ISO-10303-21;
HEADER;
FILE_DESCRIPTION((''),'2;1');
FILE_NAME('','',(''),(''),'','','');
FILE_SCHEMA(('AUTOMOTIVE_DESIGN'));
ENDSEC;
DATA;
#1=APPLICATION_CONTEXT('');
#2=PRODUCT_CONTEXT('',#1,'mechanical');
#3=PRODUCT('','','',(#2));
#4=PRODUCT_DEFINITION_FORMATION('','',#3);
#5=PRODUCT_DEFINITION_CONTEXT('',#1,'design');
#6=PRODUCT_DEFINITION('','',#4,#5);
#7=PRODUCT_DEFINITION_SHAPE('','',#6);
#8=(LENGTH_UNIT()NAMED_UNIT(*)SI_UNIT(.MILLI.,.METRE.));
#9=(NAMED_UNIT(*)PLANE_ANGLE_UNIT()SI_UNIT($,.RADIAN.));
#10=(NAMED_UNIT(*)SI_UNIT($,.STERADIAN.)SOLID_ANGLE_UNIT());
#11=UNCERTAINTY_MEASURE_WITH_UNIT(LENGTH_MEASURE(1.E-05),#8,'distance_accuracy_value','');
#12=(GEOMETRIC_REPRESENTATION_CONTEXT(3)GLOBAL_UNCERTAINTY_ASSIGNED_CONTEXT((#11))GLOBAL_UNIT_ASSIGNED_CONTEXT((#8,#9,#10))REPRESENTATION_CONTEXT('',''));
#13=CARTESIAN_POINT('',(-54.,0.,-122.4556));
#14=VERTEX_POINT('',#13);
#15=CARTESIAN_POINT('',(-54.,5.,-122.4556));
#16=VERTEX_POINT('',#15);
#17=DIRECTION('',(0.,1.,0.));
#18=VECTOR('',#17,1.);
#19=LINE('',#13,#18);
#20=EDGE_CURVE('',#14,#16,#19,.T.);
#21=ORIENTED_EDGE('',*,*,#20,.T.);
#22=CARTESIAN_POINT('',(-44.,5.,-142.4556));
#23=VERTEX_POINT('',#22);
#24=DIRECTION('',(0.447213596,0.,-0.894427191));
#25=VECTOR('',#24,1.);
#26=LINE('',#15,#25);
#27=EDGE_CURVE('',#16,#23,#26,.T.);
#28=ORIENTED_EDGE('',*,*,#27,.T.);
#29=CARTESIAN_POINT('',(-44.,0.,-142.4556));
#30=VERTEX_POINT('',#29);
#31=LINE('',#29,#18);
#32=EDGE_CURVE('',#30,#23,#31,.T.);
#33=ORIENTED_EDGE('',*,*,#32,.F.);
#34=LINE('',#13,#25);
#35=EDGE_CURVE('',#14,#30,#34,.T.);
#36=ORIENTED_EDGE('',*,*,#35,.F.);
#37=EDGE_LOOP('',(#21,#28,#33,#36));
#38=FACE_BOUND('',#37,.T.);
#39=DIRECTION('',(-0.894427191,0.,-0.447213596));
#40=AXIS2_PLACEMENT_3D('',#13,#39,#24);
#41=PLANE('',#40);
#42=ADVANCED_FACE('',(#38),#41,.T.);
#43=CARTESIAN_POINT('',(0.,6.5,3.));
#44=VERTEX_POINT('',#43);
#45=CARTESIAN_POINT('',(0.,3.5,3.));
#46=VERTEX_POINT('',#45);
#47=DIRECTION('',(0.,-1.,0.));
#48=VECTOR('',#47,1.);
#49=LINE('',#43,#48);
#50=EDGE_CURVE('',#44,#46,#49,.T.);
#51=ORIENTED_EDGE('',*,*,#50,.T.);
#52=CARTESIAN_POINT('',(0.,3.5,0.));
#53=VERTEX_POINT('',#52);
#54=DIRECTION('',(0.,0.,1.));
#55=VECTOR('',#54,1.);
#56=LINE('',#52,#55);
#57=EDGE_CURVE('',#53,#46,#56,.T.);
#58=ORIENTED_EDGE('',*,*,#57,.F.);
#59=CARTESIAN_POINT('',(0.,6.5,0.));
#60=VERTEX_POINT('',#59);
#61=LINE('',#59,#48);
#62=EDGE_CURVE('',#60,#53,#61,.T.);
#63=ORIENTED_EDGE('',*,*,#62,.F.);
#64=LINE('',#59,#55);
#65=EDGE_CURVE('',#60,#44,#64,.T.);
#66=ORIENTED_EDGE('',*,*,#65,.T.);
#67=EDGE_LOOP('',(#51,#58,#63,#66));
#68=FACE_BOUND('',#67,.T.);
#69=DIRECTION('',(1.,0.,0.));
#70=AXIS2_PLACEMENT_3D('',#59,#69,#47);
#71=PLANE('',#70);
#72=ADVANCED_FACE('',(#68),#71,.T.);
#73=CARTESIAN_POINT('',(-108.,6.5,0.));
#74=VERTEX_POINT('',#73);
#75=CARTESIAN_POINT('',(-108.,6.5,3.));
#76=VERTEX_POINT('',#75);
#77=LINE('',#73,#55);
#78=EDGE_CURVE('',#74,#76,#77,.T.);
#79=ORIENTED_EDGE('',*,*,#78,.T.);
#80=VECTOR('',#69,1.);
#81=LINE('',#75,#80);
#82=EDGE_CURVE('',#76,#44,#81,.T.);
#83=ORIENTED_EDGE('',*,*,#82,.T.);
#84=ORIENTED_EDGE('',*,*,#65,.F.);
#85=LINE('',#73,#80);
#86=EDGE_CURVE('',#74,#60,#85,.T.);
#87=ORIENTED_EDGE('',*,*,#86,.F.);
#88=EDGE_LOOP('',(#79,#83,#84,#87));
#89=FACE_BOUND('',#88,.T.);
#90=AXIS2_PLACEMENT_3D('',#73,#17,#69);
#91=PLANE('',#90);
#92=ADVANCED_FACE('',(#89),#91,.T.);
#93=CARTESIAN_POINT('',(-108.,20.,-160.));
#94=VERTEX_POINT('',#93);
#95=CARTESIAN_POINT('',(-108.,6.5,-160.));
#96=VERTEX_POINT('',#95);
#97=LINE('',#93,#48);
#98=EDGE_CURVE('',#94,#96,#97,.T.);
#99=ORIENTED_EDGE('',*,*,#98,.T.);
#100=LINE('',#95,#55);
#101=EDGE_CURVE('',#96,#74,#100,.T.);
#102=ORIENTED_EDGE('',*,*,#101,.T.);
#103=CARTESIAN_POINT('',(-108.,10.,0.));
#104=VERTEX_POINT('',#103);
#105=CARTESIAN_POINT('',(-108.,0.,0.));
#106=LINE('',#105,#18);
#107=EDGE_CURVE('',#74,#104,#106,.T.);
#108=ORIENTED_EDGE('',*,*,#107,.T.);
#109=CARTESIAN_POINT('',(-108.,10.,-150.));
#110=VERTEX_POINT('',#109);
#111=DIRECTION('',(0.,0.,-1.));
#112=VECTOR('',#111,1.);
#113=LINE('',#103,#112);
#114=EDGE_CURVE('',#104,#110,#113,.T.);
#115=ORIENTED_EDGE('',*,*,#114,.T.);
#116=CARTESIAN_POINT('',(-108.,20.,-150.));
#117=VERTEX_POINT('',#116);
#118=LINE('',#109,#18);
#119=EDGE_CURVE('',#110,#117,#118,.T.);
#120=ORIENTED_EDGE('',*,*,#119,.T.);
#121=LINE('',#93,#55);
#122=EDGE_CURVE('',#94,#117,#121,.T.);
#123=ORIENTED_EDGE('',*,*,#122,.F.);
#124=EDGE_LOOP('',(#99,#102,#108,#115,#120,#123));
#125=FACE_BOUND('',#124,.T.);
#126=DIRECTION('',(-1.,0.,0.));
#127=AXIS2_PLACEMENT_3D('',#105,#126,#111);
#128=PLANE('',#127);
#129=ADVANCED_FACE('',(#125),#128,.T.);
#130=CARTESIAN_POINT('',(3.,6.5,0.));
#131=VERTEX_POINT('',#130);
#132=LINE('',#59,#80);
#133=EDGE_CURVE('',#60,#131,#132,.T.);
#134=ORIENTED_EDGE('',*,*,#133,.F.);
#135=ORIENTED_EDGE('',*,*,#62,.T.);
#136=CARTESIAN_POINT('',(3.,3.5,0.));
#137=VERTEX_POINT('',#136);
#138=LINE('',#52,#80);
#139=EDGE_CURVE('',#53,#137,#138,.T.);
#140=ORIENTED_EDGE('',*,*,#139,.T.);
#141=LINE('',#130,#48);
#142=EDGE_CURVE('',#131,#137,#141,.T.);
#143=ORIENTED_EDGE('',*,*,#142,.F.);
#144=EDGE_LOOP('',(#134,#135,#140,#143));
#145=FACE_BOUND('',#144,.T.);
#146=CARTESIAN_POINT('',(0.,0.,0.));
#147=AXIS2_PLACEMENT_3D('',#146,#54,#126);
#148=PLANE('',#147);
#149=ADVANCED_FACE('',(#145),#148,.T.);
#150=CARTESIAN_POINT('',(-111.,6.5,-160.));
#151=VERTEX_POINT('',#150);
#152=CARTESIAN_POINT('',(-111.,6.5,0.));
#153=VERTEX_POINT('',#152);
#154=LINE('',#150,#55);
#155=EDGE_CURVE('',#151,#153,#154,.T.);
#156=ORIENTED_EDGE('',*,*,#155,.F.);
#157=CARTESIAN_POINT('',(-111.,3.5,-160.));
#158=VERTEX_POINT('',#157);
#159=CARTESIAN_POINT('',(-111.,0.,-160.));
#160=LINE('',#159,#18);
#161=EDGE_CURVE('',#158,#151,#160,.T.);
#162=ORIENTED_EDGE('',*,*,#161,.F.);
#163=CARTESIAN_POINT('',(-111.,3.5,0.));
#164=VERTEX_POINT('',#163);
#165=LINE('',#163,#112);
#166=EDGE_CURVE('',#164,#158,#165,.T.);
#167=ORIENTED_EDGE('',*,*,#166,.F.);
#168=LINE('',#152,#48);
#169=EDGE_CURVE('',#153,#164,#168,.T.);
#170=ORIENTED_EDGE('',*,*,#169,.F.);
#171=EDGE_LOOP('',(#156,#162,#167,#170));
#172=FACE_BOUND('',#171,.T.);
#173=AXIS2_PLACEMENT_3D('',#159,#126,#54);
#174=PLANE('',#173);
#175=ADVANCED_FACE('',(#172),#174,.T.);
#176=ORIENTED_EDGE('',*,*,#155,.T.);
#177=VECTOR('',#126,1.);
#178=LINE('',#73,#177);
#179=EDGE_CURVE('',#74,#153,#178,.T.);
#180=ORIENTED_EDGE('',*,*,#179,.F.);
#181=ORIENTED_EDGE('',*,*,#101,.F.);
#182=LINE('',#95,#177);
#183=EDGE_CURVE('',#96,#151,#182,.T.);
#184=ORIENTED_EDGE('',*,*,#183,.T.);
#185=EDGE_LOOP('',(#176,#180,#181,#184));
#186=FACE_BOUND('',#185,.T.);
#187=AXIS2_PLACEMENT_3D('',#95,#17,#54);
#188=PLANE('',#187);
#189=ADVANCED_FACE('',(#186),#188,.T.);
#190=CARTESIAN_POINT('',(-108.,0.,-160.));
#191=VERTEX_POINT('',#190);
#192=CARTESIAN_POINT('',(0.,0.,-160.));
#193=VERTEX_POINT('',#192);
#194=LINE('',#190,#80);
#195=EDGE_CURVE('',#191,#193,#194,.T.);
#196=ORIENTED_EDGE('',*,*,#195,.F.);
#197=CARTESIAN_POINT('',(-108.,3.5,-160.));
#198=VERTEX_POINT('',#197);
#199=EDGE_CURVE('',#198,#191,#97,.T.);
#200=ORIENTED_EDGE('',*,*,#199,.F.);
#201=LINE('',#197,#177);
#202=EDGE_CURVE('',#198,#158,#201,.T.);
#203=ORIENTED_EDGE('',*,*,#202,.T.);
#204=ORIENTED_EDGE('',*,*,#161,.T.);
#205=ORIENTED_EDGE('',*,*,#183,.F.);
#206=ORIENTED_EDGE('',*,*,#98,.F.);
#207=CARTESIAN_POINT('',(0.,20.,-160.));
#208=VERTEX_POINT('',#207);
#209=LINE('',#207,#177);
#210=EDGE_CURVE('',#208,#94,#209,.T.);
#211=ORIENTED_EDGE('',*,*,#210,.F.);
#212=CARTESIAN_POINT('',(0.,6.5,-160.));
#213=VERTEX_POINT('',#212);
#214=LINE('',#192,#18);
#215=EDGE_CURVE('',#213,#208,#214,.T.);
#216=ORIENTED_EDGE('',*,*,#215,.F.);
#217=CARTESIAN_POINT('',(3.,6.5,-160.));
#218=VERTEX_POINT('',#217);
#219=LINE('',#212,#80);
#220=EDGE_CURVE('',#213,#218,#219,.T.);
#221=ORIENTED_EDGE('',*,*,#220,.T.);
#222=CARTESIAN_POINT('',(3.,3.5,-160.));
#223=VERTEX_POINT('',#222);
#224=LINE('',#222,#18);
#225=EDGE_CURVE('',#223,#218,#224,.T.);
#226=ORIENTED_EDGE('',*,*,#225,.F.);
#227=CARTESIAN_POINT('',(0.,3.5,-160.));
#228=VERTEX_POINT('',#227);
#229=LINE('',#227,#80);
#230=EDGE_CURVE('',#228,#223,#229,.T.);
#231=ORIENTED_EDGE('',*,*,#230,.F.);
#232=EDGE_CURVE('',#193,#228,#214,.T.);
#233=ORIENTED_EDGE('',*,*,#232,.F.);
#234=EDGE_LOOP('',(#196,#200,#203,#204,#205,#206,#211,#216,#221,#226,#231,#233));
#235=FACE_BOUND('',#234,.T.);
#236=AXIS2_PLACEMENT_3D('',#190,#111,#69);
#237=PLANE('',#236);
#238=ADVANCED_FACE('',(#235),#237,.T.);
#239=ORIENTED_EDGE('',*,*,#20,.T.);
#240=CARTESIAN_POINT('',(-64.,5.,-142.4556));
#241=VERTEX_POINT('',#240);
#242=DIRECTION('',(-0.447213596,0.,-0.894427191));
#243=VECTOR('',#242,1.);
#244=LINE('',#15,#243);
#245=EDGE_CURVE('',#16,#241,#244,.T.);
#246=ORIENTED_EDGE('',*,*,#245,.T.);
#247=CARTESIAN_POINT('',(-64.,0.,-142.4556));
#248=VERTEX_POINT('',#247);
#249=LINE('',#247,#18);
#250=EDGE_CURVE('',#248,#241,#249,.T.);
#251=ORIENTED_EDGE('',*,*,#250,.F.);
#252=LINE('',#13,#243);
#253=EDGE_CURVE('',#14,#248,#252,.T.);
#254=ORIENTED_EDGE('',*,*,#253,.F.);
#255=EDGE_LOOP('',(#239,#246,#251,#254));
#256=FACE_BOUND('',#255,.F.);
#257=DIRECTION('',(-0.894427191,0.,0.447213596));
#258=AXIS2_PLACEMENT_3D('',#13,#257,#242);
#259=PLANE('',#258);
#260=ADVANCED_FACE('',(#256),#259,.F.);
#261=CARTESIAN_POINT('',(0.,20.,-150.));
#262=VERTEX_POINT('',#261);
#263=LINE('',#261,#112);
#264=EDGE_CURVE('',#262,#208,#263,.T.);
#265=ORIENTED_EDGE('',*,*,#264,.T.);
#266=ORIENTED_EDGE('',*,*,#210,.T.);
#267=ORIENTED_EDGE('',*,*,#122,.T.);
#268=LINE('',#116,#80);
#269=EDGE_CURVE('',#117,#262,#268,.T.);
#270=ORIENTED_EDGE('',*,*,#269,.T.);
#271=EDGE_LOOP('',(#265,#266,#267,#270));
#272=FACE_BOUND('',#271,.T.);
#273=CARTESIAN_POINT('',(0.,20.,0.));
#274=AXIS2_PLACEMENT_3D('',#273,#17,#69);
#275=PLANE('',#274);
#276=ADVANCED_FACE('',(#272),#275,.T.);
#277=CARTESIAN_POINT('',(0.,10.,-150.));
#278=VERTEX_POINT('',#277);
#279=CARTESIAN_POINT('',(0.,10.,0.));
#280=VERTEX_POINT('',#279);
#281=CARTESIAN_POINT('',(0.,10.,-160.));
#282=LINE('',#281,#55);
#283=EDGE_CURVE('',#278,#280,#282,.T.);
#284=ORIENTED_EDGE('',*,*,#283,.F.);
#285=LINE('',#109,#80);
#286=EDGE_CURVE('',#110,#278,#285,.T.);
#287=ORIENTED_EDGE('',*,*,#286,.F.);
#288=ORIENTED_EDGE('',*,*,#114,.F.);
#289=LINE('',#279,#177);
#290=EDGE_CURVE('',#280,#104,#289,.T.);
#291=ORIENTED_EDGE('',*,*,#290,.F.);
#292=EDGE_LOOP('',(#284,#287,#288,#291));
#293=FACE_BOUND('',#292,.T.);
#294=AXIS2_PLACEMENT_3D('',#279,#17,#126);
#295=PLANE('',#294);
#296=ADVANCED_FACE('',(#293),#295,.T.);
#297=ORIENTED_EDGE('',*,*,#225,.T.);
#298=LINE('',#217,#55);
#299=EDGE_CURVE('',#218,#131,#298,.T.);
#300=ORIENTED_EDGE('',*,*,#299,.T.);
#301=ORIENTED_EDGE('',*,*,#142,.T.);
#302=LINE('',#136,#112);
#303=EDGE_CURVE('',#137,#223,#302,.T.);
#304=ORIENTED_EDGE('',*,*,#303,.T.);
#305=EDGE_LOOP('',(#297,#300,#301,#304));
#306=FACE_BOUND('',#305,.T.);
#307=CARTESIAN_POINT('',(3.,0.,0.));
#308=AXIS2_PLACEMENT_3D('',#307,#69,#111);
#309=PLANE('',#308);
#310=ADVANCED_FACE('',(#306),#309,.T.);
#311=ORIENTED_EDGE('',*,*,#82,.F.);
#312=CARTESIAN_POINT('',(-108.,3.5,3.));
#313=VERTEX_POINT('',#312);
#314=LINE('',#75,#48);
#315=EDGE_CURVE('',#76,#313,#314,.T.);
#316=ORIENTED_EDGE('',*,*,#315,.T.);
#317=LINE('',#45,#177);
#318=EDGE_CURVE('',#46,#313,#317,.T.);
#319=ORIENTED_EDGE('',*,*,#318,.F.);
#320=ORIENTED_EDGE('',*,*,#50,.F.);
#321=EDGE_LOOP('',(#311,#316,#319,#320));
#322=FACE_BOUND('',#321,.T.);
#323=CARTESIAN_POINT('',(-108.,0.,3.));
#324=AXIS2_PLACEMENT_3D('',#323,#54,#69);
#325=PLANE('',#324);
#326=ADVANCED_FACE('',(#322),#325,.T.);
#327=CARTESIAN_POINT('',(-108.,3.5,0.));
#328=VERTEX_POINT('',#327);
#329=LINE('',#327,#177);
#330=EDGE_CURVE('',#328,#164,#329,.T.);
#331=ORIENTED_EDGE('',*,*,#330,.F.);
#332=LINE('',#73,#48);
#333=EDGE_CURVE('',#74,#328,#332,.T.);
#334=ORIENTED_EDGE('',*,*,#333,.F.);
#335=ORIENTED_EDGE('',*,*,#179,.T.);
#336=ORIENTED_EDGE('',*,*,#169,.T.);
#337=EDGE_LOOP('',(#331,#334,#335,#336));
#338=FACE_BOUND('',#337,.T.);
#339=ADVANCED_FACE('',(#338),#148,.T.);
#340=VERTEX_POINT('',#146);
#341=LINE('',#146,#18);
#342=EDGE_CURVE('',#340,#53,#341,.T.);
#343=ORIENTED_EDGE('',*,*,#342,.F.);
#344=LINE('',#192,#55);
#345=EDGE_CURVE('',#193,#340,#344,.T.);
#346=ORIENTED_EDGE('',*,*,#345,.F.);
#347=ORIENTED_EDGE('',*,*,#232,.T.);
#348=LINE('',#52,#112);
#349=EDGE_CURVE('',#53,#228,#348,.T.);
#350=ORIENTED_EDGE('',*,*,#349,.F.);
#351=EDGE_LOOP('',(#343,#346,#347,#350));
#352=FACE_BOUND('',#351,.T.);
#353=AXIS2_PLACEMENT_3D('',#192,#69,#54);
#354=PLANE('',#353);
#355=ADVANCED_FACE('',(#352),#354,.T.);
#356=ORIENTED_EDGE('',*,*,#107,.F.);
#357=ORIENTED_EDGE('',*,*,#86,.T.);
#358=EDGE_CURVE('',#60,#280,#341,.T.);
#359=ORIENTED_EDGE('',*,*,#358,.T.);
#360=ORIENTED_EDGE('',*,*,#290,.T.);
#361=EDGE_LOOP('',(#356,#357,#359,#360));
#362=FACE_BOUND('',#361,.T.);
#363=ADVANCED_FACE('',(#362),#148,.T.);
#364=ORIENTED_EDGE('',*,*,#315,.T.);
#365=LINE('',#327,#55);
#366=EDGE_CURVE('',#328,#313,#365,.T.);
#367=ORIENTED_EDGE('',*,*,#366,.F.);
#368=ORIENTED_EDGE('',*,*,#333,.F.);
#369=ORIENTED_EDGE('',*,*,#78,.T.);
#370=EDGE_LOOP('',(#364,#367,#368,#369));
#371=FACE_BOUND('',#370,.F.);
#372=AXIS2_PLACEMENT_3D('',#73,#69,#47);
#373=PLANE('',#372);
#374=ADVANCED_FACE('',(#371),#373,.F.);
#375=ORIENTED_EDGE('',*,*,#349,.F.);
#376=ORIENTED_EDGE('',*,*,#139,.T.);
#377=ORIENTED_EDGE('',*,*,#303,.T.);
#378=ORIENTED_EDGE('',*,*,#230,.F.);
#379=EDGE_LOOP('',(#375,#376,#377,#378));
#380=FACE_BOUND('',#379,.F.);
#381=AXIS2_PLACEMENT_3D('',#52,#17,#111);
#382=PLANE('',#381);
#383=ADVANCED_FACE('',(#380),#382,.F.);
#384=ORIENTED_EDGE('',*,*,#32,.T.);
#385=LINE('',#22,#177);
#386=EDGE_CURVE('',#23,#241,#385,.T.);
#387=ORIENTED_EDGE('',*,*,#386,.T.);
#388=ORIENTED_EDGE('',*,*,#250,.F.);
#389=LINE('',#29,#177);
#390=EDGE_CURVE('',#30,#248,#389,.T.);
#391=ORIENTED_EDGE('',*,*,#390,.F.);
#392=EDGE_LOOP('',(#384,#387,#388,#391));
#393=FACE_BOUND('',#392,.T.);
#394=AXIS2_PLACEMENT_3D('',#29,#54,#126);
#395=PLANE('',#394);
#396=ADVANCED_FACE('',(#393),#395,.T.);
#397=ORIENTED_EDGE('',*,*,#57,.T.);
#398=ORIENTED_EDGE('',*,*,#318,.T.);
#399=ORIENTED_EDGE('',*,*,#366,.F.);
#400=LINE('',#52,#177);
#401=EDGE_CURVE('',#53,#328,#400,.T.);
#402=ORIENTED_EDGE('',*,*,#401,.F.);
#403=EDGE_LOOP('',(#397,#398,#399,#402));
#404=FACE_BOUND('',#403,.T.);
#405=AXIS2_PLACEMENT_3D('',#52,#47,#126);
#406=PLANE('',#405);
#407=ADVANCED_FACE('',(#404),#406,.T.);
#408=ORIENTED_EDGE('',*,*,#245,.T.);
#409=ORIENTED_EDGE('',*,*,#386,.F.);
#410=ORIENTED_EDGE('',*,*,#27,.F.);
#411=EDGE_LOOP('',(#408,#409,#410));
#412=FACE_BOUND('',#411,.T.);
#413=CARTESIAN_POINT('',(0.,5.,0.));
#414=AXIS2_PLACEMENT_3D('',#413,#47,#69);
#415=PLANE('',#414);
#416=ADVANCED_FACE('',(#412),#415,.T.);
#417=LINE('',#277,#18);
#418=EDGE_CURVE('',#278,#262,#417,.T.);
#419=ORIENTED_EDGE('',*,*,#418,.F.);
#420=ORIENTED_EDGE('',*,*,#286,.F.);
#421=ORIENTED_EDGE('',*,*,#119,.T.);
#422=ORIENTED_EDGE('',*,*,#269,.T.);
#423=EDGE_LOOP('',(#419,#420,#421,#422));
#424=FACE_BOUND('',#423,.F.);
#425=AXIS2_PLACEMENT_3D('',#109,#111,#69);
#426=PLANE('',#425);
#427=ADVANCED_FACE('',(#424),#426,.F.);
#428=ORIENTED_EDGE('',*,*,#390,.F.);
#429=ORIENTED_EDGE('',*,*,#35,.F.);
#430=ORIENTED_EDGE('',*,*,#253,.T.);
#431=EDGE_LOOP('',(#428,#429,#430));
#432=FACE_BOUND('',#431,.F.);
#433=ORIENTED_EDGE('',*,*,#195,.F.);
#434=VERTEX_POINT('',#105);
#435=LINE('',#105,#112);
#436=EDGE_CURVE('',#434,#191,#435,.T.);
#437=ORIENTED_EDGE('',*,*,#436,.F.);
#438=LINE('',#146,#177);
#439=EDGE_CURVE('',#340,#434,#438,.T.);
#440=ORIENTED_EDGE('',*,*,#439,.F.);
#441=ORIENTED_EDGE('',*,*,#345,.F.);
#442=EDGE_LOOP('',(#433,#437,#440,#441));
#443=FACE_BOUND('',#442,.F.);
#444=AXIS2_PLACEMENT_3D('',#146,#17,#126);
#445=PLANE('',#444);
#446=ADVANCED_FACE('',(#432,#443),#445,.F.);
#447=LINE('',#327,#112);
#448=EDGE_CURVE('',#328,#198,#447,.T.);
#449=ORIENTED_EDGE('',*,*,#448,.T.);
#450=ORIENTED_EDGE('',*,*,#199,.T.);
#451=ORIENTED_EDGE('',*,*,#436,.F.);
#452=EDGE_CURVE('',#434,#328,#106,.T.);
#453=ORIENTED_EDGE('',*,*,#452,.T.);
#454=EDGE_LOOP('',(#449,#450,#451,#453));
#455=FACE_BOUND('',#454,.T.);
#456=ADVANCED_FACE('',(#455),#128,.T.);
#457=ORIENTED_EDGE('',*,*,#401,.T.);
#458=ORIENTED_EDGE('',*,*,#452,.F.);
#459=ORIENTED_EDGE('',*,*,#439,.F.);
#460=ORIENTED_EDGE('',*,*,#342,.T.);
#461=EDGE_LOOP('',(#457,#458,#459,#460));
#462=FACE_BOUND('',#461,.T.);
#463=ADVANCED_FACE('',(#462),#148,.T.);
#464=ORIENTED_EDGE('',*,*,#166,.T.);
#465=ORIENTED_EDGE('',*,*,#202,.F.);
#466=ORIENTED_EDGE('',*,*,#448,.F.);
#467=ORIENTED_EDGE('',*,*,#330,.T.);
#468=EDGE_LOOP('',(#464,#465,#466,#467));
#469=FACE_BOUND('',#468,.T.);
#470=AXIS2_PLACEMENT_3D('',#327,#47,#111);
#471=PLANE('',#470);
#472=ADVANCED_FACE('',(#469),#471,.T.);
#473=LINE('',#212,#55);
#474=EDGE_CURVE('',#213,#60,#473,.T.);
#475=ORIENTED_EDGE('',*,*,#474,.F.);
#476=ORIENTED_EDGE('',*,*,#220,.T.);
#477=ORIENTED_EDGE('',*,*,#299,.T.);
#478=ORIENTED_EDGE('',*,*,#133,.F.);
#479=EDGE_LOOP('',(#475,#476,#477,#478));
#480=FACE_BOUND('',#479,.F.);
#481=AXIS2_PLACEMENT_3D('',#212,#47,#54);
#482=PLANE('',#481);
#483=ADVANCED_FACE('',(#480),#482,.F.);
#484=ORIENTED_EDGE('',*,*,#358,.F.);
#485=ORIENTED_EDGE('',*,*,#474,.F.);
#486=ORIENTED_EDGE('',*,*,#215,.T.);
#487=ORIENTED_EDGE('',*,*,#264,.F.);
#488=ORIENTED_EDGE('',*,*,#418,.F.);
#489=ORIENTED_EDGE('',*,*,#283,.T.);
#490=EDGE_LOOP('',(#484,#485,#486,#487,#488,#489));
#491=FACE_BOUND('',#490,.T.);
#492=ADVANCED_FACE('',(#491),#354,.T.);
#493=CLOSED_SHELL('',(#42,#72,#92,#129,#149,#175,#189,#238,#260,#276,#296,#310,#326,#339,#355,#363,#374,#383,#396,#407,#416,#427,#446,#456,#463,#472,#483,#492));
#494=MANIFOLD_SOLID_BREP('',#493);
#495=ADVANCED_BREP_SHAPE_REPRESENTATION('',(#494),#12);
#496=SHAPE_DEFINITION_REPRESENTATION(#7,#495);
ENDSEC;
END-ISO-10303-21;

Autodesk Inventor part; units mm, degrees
ref_plane "YZ Plane" through (0, 0, 0) normal (1, 0, 0) x (0, 1, 0)
ref_plane "XZ Plane" through (0, 0, 0) normal (0, 1, 0) x (-1, 0, 0)
ref_plane "XY Plane" through (0, 0, 0) normal (0, 0, 1) x (1, 0, 0)
sketch "Esquisse1" plane through (0, 0, 0) normal (0, 1, 0) x (-1, 0, 0)
  line L0 (0, 0) -> (108, 0)
  line L1 (108, 0) -> (108, -160)
  line L2 (108, -160) -> (0, -160)
  line L3 (0, -160) -> (0, 0)
  dimension "d0" = 108
  dimension "d1" = 160
extrude "Extrusion1" add sketch "Esquisse1" along normal blind 10
sketch "Esquisse2" plane through (0, 10, 0) normal (0, 1, 0) x (1, 0, 0)
  line L0 (0, 160) -> (-108, 160) projected
  line L1 (-108, 160) -> (-108, 0) projected
  line L2 (0, 160) -> (-108, 160)
  line L3 (-108, 160) -> (-108, 150)
  line L4 (-108, 150) -> (0, 150)
  line L5 (0, 150) -> (0, 160)
  point P0 (0, 0)
  dimension "d4" = 10
extrude "Extrusion2" add sketch "Esquisse2" along normal blind 10
sketch "Esquisse3" plane through (0, 0, 0) normal (0, -1, 0) x (1, 0, 0)
  line L0 (-44, -142.4556) -> (-64, -142.4556)
  line L1 (0, 0) -> (0, -160) projected
  line L2 (-108, -160) -> (-108, 0) projected
  line L3 (-54, -122.4556) -> (-64, -142.4556)
  line L4 (-54, -122.4556) -> (-44, -142.4556)
  dimension "d7" = 20
  dimension "d8" = 44
  dimension "d9" = 44
extrude "Extrusion3" cut sketch "Esquisse3" against normal blind 5
sketch "Esquisse4" plane through (-108, 0, -160) normal (-1, 0, 0) x (0, 0, 1)
  line L0 (0, 0) -> (0, 20) projected
  line L1 (0, 6.5) -> (160, 6.5)
  line L2 (160, 0) -> (0, 0) projected
  line L3 (160, 6.5) -> (160, 3.5)
  line L4 (160, 3.5) -> (0, 3.5)
  line L5 (17.5444, 5) -> (37.5444, 5) projected
  line L6 (0, 3.5) -> (0, 6.5)
  point P0 (0, 3.5)
  dimension "d13" = 3
  dimension "d14" = 3.5
extrude "Extrusion4" add sketch "Esquisse4" along normal blind 3
sketch "Esquisse5" plane through (0, 0, 0) normal (1, 0, 0) x (0, 0, -1)
  line L0 (0, 3.5) -> (160, 3.5) projected
  line L1 (0, 3.5) -> (160, 3.5)
  line L2 (160, 6.5) -> (0, 6.5) projected
  line L3 (160, 3.5) -> (160, 6.5)
  line L4 (160, 6.5) -> (160, 3.5)
  line L5 (0, 6.5) -> (160, 6.5)
  line L6 (0, 6.5) -> (0, 3.5)
  line L7 (0, 0) -> (0, 10) projected
extrude "Extrusion5" add sketch "Esquisse5" along normal blind 3
sketch "Esquisse6" plane through (-108, 0, 0) normal (0, 0, 1) x (1, 0, 0)
  line L0 (0, 6.5) -> (-3, 6.5) projected
  line L1 (108, 6.5) -> (108, 10) projected
  line L2 (0, 6.5) -> (108, 6.5)
  line L3 (0, 3.5) -> (-3, 3.5) projected
  line L4 (108, 3.5) -> (0, 3.5)
  line L5 (0, 6.5) -> (0, 10) projected
  line L6 (0, 6.5) -> (0, 3.5)
  line L7 (108, 6.5) -> (108, 3.5)
  point P0 (108, 0)
extrude "Extrusion6" add sketch "Esquisse6" along normal blind 3
properties part number "couvercle pilier"
